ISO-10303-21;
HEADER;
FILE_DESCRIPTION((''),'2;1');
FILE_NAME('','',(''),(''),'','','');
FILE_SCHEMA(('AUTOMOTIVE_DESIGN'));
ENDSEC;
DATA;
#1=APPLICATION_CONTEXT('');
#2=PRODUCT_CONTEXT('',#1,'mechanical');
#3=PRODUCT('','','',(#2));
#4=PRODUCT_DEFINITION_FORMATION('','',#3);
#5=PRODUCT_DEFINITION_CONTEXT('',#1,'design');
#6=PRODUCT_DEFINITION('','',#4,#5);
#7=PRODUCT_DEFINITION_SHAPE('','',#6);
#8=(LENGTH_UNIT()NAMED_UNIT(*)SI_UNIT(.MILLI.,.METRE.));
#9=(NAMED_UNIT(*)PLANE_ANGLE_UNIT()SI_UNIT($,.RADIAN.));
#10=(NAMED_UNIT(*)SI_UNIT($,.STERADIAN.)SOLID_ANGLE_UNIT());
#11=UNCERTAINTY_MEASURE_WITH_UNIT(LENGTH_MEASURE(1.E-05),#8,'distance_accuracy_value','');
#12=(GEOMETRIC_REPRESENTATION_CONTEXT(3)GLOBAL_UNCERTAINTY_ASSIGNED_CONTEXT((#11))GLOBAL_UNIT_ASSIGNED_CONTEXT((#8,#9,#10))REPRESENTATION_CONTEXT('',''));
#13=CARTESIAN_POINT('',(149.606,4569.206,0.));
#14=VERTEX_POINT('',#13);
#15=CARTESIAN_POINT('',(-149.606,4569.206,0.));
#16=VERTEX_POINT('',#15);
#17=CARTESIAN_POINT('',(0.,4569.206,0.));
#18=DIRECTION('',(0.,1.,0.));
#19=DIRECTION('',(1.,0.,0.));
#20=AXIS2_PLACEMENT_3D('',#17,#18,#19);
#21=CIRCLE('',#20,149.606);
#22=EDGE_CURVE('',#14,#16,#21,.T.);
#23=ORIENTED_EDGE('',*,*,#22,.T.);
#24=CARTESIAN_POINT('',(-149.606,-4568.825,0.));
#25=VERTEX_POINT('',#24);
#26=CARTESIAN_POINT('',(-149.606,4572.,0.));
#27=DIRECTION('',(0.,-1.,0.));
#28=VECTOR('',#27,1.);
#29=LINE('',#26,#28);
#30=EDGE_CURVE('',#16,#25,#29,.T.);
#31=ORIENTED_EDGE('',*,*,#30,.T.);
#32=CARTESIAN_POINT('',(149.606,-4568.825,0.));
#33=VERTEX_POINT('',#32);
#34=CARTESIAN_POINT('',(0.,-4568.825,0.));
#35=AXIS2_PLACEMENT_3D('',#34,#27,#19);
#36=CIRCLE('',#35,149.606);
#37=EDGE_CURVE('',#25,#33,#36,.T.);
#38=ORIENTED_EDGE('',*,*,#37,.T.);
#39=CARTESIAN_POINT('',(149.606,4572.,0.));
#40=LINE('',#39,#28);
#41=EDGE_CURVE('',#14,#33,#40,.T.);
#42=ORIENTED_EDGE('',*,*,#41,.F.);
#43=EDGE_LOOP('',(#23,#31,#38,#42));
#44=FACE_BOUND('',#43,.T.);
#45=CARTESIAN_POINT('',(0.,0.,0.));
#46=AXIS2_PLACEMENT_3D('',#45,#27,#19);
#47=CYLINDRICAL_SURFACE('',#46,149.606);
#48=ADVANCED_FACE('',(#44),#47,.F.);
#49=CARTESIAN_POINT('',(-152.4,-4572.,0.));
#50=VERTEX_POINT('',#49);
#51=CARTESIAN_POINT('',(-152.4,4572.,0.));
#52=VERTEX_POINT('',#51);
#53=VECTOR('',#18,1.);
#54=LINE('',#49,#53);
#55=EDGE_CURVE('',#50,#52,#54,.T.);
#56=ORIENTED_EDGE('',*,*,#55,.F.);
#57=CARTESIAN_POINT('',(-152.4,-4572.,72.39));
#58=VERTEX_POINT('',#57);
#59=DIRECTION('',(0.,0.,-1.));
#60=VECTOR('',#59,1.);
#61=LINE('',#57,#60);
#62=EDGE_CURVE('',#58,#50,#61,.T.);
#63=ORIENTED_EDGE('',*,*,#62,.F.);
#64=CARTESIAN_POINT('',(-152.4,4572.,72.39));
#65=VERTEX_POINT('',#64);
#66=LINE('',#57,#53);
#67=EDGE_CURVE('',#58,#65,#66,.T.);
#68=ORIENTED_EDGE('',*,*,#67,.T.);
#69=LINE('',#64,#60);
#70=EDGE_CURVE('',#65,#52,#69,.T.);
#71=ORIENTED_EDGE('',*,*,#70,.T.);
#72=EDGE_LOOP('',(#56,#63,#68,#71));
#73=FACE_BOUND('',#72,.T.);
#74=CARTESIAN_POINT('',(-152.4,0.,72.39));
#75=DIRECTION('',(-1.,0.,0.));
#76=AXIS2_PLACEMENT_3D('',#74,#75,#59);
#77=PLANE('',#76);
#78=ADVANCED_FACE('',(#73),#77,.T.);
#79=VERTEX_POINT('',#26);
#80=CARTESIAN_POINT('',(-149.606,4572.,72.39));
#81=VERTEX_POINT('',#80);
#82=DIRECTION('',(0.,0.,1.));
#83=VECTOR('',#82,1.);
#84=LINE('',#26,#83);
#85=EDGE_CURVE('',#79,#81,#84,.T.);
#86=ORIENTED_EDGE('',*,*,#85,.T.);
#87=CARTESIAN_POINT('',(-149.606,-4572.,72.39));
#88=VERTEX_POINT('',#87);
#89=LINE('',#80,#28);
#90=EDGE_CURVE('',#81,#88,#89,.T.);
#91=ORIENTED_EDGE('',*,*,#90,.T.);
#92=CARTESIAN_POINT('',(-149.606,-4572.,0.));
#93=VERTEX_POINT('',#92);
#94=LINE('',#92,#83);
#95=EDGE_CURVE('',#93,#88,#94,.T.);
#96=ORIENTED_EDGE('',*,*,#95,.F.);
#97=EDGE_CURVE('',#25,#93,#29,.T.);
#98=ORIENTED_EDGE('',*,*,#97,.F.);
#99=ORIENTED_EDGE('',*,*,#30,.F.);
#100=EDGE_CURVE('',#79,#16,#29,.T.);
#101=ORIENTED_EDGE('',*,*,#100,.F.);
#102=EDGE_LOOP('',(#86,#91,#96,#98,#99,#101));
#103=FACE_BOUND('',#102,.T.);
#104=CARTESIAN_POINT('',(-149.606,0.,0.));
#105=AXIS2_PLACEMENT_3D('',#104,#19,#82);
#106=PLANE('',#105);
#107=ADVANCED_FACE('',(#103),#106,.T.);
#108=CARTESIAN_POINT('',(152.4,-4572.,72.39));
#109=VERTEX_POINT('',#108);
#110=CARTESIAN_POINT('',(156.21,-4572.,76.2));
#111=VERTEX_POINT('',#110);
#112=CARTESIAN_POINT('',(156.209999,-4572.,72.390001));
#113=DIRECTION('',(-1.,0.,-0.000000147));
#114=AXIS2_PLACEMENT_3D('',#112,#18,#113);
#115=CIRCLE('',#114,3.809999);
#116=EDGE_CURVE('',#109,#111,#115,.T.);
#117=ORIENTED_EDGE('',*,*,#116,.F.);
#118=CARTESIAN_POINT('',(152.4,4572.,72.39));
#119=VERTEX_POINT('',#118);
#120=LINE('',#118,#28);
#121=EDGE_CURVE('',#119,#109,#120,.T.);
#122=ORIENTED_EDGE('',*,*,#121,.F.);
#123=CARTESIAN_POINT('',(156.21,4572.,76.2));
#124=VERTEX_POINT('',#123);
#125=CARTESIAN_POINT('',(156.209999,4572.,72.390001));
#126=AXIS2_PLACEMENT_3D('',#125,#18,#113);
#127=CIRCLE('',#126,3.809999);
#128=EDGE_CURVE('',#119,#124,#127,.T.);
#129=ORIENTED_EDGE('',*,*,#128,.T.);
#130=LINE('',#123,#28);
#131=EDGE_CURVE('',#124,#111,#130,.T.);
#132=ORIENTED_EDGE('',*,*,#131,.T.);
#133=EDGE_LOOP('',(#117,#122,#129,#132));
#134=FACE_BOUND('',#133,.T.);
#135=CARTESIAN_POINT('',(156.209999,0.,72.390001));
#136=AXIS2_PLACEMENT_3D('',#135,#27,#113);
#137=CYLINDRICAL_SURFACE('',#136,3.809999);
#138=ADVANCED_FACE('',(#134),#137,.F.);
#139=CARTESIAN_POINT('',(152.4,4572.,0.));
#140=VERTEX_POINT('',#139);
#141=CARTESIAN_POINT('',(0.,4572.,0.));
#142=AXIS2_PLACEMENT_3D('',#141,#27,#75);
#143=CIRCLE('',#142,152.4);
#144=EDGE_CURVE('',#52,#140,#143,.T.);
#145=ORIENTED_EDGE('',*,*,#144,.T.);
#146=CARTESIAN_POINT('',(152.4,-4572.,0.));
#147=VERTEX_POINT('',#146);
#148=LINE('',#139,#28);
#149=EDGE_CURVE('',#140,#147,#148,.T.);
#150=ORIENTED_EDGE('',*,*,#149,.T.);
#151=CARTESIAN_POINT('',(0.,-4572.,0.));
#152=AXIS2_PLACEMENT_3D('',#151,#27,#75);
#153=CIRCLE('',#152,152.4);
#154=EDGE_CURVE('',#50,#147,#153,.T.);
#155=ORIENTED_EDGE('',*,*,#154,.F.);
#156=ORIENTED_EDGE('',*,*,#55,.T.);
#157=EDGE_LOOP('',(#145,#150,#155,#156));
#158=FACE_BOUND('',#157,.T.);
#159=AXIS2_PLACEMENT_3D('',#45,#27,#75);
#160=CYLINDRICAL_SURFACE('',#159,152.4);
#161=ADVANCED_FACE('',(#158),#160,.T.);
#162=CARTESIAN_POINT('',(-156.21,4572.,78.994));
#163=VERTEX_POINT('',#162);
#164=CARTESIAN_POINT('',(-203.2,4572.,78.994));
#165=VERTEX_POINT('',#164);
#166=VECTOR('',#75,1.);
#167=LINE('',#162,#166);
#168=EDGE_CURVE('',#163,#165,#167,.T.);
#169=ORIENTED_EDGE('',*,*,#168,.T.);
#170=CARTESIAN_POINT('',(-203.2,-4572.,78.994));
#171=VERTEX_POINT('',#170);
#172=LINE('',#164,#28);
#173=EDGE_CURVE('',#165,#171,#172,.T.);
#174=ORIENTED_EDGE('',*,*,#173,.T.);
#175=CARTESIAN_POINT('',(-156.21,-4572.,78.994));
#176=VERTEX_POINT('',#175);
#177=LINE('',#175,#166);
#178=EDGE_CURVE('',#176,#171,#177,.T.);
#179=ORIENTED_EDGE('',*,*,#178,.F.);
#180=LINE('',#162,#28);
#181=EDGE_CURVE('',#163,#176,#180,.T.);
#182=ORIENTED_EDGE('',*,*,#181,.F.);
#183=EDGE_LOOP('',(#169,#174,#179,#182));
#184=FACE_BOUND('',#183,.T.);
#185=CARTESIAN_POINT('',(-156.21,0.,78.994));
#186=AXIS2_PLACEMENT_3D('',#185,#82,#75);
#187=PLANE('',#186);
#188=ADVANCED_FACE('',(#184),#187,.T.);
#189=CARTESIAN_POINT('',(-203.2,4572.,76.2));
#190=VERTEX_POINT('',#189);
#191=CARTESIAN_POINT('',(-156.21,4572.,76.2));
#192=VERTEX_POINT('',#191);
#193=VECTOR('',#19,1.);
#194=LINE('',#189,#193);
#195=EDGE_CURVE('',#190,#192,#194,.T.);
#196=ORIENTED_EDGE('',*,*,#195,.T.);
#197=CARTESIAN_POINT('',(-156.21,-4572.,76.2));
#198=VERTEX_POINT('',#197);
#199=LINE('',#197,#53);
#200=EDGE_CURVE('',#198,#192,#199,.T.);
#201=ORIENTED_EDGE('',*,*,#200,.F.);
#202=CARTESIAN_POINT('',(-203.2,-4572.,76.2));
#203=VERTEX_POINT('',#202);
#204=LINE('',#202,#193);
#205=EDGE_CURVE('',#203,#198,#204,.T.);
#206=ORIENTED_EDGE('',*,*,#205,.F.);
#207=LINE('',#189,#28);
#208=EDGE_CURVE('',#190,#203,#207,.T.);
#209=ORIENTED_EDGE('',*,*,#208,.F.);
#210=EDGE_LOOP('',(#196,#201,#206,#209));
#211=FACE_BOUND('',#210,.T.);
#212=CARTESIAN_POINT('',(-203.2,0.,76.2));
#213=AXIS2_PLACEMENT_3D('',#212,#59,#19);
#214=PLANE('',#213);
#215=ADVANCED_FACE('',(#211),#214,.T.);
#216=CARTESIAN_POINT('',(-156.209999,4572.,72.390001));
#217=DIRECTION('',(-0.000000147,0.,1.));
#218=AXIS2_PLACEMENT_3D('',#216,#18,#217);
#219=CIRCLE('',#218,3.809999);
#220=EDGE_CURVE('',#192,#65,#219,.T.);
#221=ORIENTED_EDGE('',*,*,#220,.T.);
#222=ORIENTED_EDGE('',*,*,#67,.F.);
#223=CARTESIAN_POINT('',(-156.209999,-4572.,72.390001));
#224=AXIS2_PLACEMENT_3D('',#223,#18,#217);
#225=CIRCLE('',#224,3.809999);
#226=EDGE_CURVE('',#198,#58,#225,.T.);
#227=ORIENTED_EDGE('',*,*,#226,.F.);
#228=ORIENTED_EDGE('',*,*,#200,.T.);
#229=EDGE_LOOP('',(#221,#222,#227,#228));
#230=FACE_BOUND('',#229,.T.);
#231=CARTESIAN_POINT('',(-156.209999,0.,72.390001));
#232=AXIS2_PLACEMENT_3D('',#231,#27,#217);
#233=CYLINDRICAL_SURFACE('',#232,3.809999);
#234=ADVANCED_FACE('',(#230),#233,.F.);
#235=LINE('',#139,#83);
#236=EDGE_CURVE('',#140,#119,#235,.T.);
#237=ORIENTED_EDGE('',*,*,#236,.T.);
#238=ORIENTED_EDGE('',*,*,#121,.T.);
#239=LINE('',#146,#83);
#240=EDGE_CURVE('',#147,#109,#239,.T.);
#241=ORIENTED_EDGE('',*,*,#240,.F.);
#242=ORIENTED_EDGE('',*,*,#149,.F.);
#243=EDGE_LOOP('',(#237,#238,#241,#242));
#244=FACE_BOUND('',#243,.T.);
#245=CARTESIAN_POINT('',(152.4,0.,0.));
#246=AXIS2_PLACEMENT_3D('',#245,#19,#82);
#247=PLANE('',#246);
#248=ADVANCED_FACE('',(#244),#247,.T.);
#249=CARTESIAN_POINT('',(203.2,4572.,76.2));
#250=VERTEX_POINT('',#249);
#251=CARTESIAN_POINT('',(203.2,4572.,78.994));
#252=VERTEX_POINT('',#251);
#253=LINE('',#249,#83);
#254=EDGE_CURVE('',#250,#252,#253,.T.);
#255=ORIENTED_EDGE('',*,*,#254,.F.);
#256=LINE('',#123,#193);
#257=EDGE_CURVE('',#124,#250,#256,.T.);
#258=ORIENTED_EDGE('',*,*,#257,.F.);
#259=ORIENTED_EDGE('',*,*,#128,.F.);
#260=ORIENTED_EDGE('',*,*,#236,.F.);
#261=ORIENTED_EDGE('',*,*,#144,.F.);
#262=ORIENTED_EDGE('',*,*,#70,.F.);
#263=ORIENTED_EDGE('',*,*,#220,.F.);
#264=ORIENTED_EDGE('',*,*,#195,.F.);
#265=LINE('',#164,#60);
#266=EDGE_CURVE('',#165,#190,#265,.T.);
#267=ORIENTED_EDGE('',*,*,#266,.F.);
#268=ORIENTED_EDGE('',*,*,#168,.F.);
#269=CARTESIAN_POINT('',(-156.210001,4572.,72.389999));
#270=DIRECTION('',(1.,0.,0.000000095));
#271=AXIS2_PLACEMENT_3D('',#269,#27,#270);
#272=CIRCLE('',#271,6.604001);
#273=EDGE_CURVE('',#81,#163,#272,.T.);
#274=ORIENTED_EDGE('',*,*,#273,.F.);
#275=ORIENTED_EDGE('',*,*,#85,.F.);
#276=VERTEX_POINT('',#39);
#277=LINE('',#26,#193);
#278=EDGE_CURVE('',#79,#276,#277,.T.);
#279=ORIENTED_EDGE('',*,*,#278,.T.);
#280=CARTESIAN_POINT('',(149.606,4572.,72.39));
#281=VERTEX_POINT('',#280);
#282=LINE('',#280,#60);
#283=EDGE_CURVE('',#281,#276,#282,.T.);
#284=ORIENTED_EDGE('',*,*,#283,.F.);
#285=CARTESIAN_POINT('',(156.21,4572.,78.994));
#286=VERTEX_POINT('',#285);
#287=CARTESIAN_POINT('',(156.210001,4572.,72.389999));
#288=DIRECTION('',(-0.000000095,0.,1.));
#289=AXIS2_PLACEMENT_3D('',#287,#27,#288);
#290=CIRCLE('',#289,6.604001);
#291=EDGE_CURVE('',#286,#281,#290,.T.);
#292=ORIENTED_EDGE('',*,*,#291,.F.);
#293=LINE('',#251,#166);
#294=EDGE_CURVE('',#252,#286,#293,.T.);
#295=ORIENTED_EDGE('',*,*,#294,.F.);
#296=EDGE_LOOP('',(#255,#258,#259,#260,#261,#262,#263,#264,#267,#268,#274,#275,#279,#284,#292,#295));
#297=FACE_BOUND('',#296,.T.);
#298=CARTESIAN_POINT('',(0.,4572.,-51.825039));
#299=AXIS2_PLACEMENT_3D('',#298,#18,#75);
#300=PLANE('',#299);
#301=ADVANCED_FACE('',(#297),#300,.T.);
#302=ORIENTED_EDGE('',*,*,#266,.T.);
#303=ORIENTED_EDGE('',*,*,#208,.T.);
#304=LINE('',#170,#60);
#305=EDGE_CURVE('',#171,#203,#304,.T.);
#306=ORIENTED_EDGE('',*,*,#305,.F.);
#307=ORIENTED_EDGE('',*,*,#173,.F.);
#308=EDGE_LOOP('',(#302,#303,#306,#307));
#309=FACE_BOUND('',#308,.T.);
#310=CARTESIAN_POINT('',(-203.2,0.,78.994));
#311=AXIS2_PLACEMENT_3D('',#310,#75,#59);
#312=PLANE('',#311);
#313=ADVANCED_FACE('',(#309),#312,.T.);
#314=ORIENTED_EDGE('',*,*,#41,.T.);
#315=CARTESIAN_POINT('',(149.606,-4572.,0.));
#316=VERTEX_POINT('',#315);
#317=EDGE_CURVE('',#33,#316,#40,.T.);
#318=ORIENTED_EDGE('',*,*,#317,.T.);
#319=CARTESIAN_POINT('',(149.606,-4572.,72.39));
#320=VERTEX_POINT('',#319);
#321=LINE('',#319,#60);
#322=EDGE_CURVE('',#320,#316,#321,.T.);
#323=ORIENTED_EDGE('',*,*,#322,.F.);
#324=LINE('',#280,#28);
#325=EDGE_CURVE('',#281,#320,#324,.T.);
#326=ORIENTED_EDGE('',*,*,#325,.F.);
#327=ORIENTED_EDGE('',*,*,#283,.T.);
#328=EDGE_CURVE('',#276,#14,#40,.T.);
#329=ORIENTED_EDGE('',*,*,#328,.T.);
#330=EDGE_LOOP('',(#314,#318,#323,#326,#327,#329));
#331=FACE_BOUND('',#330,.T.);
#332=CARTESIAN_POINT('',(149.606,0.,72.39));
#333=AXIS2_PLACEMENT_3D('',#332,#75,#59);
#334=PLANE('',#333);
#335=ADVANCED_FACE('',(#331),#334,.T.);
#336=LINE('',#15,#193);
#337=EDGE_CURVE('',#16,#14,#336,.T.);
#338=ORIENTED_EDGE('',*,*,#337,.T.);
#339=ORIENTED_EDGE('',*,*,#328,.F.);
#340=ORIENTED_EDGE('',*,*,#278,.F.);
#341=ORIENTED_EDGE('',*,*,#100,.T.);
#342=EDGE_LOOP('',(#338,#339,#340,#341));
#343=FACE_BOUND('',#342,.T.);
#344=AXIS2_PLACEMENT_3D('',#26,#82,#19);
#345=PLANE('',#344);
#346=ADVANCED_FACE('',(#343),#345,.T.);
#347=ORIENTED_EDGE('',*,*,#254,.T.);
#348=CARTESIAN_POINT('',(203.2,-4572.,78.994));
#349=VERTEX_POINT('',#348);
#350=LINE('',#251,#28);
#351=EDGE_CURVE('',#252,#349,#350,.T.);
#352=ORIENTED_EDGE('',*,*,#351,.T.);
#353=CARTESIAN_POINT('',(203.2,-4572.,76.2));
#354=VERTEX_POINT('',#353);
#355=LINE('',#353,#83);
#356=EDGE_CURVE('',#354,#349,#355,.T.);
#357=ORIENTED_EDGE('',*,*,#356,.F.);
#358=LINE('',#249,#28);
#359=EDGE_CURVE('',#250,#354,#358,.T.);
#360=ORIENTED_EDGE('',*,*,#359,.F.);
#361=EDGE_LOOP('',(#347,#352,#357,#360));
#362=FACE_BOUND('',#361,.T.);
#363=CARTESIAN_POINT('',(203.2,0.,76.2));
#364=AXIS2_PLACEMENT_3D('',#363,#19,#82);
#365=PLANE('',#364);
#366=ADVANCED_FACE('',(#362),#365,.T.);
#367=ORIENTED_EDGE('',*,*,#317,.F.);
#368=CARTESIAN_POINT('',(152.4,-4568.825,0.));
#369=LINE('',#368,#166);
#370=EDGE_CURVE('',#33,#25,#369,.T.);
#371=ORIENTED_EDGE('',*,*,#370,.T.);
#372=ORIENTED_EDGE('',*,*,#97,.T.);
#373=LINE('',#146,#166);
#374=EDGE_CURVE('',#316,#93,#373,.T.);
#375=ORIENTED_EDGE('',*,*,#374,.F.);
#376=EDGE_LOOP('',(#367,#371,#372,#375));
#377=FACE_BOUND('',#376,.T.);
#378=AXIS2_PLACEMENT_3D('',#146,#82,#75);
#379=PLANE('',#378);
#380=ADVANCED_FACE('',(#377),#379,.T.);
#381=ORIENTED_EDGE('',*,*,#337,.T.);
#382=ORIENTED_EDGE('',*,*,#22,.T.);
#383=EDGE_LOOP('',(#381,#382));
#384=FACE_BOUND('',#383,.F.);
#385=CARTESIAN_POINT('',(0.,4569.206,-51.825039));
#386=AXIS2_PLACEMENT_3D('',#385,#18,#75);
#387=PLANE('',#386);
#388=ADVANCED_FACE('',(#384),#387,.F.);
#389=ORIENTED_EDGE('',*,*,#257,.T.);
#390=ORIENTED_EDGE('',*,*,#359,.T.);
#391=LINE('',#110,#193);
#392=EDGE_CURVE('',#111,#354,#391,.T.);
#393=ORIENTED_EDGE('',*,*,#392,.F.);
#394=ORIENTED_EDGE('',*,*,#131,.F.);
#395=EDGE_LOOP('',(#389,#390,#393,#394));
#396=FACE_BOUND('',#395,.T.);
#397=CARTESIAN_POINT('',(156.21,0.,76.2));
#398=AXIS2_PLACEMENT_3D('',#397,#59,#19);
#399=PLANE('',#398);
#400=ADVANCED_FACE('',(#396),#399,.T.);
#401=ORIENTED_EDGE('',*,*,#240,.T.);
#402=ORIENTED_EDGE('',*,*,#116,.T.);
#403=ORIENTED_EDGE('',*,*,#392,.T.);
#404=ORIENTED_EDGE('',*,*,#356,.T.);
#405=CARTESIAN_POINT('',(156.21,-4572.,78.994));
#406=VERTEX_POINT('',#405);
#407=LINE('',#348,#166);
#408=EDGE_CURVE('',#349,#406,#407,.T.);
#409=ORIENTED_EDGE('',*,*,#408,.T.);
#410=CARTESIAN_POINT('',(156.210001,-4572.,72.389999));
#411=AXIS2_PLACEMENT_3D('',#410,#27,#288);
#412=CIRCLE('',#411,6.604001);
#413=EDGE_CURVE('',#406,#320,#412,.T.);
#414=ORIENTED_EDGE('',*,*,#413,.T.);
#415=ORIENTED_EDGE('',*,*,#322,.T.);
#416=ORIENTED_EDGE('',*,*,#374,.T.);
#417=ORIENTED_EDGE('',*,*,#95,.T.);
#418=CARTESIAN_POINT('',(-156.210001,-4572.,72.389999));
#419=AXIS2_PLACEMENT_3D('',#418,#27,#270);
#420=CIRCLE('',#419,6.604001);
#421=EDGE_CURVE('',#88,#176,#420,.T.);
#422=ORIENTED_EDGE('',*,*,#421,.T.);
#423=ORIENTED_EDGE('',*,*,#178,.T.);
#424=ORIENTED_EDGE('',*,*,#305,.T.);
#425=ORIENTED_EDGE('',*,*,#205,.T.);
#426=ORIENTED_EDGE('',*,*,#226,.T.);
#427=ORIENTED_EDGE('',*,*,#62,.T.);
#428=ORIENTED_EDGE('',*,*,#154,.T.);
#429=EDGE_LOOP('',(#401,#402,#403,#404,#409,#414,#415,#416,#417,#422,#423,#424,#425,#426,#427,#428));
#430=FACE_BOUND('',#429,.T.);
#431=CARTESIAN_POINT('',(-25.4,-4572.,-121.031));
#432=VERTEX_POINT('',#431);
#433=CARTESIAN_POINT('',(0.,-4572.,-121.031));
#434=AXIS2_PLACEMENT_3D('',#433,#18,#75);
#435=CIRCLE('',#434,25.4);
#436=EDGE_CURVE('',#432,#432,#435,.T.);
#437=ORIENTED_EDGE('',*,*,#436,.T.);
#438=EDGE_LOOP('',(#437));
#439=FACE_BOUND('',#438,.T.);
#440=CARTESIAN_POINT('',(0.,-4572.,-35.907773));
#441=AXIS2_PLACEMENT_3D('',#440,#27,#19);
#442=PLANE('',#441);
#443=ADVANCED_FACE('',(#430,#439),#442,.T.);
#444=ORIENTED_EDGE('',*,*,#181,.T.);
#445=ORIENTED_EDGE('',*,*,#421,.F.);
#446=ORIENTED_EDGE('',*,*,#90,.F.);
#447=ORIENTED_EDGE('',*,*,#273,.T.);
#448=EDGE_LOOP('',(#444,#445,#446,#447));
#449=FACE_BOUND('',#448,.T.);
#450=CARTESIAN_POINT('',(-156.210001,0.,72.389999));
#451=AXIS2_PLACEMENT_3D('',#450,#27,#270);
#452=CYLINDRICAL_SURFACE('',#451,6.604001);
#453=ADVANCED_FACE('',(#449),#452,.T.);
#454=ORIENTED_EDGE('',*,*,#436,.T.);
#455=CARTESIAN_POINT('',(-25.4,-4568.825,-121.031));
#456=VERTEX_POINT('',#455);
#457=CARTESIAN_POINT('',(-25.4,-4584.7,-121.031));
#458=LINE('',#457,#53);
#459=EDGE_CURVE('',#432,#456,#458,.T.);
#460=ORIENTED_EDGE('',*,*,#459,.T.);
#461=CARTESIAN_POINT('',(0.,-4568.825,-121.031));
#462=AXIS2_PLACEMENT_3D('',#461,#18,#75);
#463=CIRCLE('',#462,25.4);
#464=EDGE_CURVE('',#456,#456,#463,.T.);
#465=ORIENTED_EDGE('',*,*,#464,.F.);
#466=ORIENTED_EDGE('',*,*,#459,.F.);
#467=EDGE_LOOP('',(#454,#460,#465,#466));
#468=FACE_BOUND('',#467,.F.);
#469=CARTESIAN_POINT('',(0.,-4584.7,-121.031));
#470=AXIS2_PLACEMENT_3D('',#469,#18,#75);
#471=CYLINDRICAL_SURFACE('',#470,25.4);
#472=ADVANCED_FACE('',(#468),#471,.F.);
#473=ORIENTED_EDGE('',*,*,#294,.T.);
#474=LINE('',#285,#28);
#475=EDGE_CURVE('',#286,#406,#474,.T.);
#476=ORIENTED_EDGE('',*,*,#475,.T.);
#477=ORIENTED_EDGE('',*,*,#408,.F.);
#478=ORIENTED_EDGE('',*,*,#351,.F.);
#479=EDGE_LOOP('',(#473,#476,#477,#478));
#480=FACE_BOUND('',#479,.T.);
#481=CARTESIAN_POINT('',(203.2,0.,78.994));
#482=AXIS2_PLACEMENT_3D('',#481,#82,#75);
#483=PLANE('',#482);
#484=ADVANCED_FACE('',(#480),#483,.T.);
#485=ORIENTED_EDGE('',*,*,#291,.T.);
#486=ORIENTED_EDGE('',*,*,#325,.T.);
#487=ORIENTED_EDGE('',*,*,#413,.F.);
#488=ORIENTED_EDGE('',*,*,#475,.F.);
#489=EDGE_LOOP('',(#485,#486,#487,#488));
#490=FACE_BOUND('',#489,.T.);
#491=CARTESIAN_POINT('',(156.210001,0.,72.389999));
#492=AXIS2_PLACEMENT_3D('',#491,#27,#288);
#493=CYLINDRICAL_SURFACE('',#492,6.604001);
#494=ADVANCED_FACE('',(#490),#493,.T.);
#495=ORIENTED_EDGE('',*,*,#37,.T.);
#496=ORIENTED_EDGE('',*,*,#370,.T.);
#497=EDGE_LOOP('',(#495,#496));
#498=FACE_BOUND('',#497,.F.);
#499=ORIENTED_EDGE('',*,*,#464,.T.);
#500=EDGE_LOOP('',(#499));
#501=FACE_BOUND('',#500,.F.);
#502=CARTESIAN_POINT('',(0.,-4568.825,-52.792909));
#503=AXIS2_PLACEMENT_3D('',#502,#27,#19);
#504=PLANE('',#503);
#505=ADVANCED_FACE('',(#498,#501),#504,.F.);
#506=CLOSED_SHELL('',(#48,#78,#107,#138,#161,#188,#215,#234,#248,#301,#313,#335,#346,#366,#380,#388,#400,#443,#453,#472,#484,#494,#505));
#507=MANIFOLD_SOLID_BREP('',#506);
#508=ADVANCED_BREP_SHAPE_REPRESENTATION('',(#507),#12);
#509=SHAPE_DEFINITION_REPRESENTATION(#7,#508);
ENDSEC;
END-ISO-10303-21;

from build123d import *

# Parameters (mm, degrees)
F1_DEPTH = 4572
F3_DEPTH = 3.175
F5_DEPTH = 2.794
F6_D     = 50.8
F6_DEPTH = 12.7


with BuildPart() as f1:
    # F0 (on Front) → F1 (new body, symmetric)
    with BuildSketch(Plane.XZ):
        with BuildLine():
            ThreePointArc((-152.4, 0), (0, -152.4), (152.4, 0))
            Line((152.4, 0), (152.4, 72.39))
            ThreePointArc((152.4, 72.39), (153.515923, 75.084077), (156.21, 76.2))
            Line((156.21, 76.2), (203.2, 76.2))
            Line((203.2, 76.2), (203.2, 78.994))
            Line((203.2, 78.994), (156.21, 78.994))
            ThreePointArc((156.21, 78.994), (151.540267, 77.059733), (149.606, 72.39))
            Line((149.606, 72.39), (149.606, 0))
            ThreePointArc((149.606, 0), (0, -149.606), (-149.606, 0))
            Line((-149.606, 0), (-149.606, 72.39))
            ThreePointArc((-149.606, 72.39), (-151.540267, 77.059733), (-156.21, 78.994))
            Line((-156.21, 78.994), (-203.2, 78.994))
            Line((-203.2, 78.994), (-203.2, 76.2))
            Line((-203.2, 76.2), (-156.21, 76.2))
            ThreePointArc((-156.21, 76.2), (-153.515923, 75.084077), (-152.4, 72.39))
            Line((-152.4, 72.39), (-152.4, 0))
        make_face()
    extrude(amount=F1_DEPTH, both=True)

    # F2 (on face) → F3 (join)
    with BuildSketch(Plane.XZ.offset(4572)):
        with BuildLine():
            Line((152.4, 0), (-152.4, 0))
            ThreePointArc((-152.4, 0), (0, -152.4), (152.4, 0))
        make_face()
    extrude(amount=-F3_DEPTH)

    # F4 (on face) → F5 (join)
    with BuildSketch(Plane(origin=(0, 4572, 0), x_dir=(-1, 0, 0), z_dir=(0, 1, 0))):
        with BuildLine():
            ThreePointArc((-149.606, 0), (0, -149.606), (149.606, 0))
            Line((149.606, 0), (-149.606, 0))
        make_face()
    extrude(amount=-F5_DEPTH)

    # F6
    with Locations(Plane.XZ.offset(4572)):
        with Locations((0, -121.031)):
            Hole(F6_D / 2, depth=F6_DEPTH)


solid = f1.part
